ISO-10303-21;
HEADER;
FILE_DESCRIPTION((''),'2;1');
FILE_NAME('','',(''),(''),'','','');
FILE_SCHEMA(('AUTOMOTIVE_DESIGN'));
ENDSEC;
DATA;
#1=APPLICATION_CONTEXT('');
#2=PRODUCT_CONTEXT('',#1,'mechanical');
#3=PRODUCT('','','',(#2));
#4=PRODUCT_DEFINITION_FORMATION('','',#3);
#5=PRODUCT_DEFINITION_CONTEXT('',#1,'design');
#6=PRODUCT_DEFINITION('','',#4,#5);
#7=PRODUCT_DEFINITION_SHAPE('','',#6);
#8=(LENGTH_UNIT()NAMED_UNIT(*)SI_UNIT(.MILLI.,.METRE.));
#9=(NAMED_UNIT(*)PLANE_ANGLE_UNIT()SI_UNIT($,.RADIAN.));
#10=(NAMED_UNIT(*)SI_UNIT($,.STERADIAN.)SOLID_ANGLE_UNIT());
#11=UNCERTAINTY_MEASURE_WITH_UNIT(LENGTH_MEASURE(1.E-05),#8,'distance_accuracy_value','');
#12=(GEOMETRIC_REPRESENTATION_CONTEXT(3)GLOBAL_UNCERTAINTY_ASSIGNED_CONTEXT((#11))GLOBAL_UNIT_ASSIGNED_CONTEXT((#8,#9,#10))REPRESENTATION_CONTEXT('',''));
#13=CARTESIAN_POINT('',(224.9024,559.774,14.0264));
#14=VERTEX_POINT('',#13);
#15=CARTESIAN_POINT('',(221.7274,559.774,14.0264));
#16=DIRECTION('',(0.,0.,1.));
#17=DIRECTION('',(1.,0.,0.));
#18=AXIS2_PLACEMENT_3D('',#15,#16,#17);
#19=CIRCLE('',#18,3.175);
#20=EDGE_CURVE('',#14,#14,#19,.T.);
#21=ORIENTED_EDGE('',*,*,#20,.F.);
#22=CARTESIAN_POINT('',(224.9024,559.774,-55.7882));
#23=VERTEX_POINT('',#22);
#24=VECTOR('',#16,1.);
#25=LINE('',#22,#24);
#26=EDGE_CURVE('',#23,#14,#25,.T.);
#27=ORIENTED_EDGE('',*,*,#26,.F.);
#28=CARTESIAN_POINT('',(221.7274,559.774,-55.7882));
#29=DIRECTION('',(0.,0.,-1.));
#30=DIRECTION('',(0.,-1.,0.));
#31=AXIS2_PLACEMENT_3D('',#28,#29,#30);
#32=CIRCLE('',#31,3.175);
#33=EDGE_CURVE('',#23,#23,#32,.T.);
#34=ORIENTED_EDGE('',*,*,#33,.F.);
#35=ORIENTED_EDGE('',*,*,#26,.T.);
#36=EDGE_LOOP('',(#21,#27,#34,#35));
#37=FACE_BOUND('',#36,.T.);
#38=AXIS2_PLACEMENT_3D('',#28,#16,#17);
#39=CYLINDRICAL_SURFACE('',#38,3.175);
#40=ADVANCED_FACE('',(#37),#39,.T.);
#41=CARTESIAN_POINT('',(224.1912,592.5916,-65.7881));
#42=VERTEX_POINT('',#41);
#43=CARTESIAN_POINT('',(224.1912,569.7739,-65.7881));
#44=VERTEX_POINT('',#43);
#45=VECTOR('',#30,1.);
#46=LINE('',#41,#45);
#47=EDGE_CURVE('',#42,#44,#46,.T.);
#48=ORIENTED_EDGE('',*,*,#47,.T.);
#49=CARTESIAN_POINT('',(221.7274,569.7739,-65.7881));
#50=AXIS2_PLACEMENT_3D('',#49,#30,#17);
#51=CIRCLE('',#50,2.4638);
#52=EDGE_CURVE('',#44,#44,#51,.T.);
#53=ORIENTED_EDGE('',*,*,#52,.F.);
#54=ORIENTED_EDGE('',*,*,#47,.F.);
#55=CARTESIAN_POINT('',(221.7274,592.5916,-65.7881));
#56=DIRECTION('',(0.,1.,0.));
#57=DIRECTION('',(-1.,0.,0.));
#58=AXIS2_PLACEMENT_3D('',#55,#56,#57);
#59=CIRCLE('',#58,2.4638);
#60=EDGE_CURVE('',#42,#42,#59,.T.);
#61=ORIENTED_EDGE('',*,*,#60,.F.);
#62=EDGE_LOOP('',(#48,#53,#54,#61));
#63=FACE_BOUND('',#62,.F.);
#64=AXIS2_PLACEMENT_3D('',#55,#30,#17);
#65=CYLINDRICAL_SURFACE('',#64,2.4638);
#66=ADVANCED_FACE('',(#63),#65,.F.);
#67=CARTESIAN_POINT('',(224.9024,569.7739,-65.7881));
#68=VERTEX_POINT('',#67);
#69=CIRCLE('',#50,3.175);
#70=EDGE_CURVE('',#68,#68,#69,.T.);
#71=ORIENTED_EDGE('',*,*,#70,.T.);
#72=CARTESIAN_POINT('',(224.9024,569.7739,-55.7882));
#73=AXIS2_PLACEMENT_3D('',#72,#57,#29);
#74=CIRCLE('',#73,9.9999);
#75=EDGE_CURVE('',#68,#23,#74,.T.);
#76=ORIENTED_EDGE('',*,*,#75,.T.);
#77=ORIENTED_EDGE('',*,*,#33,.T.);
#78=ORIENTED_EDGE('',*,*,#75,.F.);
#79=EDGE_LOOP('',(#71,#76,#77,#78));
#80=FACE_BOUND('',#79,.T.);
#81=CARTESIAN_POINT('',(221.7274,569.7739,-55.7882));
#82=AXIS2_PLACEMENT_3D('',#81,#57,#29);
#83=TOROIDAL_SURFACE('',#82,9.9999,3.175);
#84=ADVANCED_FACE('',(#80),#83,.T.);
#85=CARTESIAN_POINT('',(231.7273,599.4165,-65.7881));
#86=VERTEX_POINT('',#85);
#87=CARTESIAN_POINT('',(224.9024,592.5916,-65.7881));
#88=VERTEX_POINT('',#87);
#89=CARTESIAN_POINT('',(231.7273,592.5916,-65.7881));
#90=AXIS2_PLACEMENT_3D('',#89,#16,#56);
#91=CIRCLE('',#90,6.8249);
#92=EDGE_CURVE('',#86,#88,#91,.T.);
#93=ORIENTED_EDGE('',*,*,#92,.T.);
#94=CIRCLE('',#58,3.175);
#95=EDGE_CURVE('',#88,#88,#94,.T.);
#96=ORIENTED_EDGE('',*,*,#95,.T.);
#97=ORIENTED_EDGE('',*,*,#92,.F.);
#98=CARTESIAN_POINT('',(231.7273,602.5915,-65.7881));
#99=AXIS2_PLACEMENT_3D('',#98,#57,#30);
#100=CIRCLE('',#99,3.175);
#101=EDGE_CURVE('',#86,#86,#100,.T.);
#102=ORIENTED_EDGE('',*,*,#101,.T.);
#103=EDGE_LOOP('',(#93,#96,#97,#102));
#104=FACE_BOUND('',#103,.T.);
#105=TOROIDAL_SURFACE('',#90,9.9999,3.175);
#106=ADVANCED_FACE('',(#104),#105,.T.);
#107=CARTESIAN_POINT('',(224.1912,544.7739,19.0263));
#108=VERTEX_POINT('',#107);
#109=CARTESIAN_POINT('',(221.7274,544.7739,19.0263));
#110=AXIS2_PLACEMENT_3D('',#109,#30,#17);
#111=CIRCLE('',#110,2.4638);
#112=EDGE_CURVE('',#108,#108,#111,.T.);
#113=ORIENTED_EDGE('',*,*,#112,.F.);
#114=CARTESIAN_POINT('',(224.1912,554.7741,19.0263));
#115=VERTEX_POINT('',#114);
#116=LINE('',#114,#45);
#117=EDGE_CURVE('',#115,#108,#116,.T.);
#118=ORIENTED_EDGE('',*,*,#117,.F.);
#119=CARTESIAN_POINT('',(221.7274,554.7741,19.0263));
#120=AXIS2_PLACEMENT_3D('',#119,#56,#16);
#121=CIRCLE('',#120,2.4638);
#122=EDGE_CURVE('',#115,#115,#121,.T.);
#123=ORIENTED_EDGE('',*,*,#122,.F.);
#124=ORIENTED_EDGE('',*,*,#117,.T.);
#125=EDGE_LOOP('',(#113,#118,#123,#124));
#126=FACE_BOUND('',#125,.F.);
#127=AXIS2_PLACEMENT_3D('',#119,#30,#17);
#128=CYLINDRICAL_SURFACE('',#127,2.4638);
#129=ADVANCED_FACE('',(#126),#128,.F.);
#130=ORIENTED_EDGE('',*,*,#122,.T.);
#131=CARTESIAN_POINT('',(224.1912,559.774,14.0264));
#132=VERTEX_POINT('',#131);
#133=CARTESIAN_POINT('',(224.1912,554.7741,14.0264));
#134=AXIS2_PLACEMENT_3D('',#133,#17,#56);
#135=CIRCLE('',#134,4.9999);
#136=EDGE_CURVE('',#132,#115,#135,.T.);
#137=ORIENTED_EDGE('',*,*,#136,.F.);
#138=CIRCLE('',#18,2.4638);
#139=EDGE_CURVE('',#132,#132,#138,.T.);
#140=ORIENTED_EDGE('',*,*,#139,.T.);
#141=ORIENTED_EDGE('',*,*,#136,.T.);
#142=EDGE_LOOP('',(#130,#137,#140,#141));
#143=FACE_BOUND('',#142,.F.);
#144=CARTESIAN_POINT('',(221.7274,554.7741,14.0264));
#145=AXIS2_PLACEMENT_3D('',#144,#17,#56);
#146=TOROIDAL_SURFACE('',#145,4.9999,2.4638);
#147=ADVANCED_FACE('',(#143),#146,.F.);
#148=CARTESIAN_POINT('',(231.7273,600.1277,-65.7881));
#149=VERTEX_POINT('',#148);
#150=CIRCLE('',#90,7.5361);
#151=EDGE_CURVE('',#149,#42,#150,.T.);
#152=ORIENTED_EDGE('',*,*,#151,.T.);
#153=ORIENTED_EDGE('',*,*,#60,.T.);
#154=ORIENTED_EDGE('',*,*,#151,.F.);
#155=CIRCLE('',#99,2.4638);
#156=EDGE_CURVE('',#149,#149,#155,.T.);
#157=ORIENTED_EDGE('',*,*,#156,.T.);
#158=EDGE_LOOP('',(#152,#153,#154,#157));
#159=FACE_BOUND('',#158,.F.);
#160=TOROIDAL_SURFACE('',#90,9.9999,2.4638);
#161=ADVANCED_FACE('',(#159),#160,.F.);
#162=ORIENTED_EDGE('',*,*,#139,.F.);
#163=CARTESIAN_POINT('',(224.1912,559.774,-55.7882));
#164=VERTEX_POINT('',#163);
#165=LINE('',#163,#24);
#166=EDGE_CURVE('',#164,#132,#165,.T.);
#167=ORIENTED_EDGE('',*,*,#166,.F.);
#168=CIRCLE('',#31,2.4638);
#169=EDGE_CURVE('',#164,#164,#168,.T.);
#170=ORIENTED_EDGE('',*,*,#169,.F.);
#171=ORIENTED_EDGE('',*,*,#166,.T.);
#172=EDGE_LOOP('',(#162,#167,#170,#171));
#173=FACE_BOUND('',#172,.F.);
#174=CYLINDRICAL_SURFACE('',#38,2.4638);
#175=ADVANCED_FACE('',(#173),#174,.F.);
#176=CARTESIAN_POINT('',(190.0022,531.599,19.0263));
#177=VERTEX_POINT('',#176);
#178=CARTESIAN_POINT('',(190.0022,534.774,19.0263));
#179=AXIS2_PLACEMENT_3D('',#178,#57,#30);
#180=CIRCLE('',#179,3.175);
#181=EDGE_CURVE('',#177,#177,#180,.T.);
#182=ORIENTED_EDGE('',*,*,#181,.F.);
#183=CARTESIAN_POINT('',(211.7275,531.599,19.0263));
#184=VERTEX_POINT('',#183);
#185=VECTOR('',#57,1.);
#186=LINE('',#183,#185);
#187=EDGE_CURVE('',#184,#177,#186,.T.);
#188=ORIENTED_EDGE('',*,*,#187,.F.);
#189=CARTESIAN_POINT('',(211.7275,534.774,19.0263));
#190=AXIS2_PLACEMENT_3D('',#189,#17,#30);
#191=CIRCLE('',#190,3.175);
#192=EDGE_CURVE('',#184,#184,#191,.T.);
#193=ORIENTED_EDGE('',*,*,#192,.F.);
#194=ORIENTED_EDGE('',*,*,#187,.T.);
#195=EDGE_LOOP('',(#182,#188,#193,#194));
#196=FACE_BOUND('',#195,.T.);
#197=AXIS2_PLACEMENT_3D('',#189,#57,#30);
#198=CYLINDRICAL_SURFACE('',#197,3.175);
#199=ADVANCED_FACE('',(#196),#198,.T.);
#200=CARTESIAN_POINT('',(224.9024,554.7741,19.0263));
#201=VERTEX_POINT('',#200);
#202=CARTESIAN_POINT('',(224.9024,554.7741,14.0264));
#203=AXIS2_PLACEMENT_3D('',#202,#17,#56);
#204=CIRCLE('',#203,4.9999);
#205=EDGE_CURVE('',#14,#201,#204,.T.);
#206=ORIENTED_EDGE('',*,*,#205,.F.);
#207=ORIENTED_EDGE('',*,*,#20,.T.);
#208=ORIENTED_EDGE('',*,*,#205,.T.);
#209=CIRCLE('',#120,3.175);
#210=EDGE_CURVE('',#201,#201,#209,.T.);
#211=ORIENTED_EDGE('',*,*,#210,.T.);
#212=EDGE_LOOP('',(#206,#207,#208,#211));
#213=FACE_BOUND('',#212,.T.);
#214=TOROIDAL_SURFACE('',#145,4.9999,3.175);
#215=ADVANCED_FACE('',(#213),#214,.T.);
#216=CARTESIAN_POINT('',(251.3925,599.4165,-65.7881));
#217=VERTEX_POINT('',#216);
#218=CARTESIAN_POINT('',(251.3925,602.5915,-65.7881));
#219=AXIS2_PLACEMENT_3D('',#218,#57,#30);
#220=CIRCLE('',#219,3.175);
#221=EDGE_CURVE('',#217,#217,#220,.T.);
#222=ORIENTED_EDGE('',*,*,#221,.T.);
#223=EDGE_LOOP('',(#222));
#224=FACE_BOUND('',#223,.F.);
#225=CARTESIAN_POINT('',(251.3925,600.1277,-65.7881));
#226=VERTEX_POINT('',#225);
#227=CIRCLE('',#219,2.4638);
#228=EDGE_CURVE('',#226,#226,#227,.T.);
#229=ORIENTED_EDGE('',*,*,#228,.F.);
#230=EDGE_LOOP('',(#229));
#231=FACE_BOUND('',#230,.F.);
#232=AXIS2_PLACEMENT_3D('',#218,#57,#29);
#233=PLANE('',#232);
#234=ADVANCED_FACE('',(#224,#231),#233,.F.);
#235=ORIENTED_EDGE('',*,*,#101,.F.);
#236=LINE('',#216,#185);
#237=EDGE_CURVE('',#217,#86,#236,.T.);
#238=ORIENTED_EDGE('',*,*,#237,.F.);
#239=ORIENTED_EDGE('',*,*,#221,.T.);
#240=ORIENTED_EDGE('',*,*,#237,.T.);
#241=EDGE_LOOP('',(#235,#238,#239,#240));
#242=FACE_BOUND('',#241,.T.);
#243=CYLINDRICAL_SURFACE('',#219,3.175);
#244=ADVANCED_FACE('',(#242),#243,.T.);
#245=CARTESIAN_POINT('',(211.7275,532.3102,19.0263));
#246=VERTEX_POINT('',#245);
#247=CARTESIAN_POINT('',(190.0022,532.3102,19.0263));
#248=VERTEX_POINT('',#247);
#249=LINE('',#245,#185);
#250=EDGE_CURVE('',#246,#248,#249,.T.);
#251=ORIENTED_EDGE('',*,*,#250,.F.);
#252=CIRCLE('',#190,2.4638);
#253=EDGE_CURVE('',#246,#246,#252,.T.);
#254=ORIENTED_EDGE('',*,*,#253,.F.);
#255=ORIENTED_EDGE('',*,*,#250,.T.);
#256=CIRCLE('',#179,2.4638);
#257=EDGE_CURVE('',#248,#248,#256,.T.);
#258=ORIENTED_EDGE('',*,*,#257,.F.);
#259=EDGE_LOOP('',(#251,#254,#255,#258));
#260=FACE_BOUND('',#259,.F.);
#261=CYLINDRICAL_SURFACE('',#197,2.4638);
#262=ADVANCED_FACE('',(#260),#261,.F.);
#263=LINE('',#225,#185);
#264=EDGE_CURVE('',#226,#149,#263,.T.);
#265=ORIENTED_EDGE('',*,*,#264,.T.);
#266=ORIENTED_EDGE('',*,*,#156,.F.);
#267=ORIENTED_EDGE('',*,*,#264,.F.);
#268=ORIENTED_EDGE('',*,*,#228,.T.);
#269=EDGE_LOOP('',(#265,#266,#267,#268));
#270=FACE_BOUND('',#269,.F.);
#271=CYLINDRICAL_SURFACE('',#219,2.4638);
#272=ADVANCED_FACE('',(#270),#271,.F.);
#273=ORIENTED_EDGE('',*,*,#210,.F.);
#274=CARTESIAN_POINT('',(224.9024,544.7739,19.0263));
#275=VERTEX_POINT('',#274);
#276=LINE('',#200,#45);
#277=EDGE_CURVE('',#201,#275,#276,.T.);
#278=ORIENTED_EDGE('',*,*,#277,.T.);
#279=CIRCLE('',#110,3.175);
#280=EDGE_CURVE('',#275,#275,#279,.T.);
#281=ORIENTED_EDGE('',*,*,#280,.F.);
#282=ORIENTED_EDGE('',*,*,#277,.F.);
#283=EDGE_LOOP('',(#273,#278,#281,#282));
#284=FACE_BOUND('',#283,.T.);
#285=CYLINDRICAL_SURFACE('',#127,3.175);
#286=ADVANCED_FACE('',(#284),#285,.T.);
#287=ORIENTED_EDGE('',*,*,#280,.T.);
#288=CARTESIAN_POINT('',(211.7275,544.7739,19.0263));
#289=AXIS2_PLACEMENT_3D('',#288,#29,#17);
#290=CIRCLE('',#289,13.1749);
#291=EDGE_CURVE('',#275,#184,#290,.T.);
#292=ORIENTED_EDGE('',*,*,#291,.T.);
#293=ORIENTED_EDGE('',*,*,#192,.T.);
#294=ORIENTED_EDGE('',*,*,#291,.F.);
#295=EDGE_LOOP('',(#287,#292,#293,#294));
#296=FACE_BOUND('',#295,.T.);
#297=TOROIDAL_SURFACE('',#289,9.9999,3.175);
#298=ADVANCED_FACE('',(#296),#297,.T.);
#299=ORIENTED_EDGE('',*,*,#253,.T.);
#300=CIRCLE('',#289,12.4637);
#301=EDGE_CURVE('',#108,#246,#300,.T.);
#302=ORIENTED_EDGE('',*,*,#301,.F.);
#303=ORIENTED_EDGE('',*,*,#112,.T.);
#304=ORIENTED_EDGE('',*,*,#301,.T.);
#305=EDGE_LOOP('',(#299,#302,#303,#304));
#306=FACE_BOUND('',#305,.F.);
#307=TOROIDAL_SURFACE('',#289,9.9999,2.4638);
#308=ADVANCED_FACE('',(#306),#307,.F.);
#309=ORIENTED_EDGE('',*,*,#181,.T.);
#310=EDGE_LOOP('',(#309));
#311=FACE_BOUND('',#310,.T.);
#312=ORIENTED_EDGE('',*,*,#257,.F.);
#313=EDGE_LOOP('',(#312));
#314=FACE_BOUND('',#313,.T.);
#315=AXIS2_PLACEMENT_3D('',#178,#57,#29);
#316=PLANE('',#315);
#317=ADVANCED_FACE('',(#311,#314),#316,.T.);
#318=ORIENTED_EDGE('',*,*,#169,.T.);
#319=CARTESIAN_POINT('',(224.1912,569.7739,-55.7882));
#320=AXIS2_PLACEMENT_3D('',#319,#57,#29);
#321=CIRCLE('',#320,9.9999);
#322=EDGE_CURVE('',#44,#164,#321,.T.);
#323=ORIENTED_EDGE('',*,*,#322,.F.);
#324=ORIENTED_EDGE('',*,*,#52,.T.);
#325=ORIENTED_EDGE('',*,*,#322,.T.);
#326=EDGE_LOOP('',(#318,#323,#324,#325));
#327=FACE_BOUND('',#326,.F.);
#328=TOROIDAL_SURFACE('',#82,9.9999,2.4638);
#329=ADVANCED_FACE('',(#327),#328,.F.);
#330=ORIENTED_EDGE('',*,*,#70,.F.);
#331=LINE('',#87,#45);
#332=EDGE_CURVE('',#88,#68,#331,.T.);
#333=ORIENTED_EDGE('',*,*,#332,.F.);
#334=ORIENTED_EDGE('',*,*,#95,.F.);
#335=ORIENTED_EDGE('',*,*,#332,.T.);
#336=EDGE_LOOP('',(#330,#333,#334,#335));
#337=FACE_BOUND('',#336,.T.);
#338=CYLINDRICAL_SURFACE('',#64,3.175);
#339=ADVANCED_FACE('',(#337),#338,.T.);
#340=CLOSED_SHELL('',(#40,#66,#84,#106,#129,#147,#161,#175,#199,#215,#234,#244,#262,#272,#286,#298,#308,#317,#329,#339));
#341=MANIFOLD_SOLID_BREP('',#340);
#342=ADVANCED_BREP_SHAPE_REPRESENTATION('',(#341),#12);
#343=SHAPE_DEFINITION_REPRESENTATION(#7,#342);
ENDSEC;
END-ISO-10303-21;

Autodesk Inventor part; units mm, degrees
ref_plane "YZ Plane" through (0, 0, 0) normal (1, 0, 0) x (0, 1, 0)
ref_plane "XZ Plane" through (0, 0, 0) normal (0, 1, 0) x (-1, 0, 0)
ref_plane "Work Plane3" through (251.3925, 602.5915, -65.7881) normal (-1, 0, 0) x (0, -1, 0)
sketch "Sketch3" plane through (251.3925, 602.5915, -65.7881) normal (-1, 0, 0) x (0, -1, 0)
  circle A0 centre (0, 0) radius 3.175
  circle A1 centre (0, 0) radius 2.4638
sketch3d "3D Sketch1"
  line L0 (251.3925, 602.5915, -65.7881) -> (231.7273, 602.5915, -65.7881)
  arc A0 (231.7273, 602.5915, -65.7881) -> (221.7274, 592.5916, -65.7881) centre (231.7273, 592.5916, -65.7881) ccw
  line L1 (221.7274, 592.5916, -65.7881) -> (221.7274, 569.7739, -65.7881)
  arc A1 (221.7274, 569.7739, -65.7881) -> (221.7274, 559.774, -55.7882) centre (221.7274, 569.7739, -55.7882) ccw
  line L2 (221.7274, 559.774, -55.7882) -> (221.7274, 559.774, 14.0264)
  arc A2 (221.7274, 559.774, 14.0264) -> (221.7274, 554.7741, 19.0263) centre (221.7274, 554.7741, 14.0264) ccw
  line L3 (221.7274, 554.7741, 19.0263) -> (221.7274, 544.7739, 19.0263)
  arc A3 (221.7274, 544.7739, 19.0263) -> (211.7275, 534.774, 19.0263) centre (211.7275, 544.7739, 19.0263) ccw
  line L4 (211.7275, 534.774, 19.0263) -> (190.0022, 534.774, 19.0263)
  dimension "d6" = 9.9999
  dimension "d9" = 9.9999
  dimension "d7" = 9.9999
  dimension "d8" = 4.9999
sweep "Sweep1" add profiles "Sketch3" path "3D Sketch1"
equation "\"OD\" = 6.35"
equation "\"t\" = 0.7112"
equation "\"L\" = PL"
equation "\"ID\" = 4.9276"
equation "\"PL\" = 199.009"
equation "\"D\" = 15.24"
equation "\"Size_Designation\" = 1.2345"
properties material "Stainless Steel"
